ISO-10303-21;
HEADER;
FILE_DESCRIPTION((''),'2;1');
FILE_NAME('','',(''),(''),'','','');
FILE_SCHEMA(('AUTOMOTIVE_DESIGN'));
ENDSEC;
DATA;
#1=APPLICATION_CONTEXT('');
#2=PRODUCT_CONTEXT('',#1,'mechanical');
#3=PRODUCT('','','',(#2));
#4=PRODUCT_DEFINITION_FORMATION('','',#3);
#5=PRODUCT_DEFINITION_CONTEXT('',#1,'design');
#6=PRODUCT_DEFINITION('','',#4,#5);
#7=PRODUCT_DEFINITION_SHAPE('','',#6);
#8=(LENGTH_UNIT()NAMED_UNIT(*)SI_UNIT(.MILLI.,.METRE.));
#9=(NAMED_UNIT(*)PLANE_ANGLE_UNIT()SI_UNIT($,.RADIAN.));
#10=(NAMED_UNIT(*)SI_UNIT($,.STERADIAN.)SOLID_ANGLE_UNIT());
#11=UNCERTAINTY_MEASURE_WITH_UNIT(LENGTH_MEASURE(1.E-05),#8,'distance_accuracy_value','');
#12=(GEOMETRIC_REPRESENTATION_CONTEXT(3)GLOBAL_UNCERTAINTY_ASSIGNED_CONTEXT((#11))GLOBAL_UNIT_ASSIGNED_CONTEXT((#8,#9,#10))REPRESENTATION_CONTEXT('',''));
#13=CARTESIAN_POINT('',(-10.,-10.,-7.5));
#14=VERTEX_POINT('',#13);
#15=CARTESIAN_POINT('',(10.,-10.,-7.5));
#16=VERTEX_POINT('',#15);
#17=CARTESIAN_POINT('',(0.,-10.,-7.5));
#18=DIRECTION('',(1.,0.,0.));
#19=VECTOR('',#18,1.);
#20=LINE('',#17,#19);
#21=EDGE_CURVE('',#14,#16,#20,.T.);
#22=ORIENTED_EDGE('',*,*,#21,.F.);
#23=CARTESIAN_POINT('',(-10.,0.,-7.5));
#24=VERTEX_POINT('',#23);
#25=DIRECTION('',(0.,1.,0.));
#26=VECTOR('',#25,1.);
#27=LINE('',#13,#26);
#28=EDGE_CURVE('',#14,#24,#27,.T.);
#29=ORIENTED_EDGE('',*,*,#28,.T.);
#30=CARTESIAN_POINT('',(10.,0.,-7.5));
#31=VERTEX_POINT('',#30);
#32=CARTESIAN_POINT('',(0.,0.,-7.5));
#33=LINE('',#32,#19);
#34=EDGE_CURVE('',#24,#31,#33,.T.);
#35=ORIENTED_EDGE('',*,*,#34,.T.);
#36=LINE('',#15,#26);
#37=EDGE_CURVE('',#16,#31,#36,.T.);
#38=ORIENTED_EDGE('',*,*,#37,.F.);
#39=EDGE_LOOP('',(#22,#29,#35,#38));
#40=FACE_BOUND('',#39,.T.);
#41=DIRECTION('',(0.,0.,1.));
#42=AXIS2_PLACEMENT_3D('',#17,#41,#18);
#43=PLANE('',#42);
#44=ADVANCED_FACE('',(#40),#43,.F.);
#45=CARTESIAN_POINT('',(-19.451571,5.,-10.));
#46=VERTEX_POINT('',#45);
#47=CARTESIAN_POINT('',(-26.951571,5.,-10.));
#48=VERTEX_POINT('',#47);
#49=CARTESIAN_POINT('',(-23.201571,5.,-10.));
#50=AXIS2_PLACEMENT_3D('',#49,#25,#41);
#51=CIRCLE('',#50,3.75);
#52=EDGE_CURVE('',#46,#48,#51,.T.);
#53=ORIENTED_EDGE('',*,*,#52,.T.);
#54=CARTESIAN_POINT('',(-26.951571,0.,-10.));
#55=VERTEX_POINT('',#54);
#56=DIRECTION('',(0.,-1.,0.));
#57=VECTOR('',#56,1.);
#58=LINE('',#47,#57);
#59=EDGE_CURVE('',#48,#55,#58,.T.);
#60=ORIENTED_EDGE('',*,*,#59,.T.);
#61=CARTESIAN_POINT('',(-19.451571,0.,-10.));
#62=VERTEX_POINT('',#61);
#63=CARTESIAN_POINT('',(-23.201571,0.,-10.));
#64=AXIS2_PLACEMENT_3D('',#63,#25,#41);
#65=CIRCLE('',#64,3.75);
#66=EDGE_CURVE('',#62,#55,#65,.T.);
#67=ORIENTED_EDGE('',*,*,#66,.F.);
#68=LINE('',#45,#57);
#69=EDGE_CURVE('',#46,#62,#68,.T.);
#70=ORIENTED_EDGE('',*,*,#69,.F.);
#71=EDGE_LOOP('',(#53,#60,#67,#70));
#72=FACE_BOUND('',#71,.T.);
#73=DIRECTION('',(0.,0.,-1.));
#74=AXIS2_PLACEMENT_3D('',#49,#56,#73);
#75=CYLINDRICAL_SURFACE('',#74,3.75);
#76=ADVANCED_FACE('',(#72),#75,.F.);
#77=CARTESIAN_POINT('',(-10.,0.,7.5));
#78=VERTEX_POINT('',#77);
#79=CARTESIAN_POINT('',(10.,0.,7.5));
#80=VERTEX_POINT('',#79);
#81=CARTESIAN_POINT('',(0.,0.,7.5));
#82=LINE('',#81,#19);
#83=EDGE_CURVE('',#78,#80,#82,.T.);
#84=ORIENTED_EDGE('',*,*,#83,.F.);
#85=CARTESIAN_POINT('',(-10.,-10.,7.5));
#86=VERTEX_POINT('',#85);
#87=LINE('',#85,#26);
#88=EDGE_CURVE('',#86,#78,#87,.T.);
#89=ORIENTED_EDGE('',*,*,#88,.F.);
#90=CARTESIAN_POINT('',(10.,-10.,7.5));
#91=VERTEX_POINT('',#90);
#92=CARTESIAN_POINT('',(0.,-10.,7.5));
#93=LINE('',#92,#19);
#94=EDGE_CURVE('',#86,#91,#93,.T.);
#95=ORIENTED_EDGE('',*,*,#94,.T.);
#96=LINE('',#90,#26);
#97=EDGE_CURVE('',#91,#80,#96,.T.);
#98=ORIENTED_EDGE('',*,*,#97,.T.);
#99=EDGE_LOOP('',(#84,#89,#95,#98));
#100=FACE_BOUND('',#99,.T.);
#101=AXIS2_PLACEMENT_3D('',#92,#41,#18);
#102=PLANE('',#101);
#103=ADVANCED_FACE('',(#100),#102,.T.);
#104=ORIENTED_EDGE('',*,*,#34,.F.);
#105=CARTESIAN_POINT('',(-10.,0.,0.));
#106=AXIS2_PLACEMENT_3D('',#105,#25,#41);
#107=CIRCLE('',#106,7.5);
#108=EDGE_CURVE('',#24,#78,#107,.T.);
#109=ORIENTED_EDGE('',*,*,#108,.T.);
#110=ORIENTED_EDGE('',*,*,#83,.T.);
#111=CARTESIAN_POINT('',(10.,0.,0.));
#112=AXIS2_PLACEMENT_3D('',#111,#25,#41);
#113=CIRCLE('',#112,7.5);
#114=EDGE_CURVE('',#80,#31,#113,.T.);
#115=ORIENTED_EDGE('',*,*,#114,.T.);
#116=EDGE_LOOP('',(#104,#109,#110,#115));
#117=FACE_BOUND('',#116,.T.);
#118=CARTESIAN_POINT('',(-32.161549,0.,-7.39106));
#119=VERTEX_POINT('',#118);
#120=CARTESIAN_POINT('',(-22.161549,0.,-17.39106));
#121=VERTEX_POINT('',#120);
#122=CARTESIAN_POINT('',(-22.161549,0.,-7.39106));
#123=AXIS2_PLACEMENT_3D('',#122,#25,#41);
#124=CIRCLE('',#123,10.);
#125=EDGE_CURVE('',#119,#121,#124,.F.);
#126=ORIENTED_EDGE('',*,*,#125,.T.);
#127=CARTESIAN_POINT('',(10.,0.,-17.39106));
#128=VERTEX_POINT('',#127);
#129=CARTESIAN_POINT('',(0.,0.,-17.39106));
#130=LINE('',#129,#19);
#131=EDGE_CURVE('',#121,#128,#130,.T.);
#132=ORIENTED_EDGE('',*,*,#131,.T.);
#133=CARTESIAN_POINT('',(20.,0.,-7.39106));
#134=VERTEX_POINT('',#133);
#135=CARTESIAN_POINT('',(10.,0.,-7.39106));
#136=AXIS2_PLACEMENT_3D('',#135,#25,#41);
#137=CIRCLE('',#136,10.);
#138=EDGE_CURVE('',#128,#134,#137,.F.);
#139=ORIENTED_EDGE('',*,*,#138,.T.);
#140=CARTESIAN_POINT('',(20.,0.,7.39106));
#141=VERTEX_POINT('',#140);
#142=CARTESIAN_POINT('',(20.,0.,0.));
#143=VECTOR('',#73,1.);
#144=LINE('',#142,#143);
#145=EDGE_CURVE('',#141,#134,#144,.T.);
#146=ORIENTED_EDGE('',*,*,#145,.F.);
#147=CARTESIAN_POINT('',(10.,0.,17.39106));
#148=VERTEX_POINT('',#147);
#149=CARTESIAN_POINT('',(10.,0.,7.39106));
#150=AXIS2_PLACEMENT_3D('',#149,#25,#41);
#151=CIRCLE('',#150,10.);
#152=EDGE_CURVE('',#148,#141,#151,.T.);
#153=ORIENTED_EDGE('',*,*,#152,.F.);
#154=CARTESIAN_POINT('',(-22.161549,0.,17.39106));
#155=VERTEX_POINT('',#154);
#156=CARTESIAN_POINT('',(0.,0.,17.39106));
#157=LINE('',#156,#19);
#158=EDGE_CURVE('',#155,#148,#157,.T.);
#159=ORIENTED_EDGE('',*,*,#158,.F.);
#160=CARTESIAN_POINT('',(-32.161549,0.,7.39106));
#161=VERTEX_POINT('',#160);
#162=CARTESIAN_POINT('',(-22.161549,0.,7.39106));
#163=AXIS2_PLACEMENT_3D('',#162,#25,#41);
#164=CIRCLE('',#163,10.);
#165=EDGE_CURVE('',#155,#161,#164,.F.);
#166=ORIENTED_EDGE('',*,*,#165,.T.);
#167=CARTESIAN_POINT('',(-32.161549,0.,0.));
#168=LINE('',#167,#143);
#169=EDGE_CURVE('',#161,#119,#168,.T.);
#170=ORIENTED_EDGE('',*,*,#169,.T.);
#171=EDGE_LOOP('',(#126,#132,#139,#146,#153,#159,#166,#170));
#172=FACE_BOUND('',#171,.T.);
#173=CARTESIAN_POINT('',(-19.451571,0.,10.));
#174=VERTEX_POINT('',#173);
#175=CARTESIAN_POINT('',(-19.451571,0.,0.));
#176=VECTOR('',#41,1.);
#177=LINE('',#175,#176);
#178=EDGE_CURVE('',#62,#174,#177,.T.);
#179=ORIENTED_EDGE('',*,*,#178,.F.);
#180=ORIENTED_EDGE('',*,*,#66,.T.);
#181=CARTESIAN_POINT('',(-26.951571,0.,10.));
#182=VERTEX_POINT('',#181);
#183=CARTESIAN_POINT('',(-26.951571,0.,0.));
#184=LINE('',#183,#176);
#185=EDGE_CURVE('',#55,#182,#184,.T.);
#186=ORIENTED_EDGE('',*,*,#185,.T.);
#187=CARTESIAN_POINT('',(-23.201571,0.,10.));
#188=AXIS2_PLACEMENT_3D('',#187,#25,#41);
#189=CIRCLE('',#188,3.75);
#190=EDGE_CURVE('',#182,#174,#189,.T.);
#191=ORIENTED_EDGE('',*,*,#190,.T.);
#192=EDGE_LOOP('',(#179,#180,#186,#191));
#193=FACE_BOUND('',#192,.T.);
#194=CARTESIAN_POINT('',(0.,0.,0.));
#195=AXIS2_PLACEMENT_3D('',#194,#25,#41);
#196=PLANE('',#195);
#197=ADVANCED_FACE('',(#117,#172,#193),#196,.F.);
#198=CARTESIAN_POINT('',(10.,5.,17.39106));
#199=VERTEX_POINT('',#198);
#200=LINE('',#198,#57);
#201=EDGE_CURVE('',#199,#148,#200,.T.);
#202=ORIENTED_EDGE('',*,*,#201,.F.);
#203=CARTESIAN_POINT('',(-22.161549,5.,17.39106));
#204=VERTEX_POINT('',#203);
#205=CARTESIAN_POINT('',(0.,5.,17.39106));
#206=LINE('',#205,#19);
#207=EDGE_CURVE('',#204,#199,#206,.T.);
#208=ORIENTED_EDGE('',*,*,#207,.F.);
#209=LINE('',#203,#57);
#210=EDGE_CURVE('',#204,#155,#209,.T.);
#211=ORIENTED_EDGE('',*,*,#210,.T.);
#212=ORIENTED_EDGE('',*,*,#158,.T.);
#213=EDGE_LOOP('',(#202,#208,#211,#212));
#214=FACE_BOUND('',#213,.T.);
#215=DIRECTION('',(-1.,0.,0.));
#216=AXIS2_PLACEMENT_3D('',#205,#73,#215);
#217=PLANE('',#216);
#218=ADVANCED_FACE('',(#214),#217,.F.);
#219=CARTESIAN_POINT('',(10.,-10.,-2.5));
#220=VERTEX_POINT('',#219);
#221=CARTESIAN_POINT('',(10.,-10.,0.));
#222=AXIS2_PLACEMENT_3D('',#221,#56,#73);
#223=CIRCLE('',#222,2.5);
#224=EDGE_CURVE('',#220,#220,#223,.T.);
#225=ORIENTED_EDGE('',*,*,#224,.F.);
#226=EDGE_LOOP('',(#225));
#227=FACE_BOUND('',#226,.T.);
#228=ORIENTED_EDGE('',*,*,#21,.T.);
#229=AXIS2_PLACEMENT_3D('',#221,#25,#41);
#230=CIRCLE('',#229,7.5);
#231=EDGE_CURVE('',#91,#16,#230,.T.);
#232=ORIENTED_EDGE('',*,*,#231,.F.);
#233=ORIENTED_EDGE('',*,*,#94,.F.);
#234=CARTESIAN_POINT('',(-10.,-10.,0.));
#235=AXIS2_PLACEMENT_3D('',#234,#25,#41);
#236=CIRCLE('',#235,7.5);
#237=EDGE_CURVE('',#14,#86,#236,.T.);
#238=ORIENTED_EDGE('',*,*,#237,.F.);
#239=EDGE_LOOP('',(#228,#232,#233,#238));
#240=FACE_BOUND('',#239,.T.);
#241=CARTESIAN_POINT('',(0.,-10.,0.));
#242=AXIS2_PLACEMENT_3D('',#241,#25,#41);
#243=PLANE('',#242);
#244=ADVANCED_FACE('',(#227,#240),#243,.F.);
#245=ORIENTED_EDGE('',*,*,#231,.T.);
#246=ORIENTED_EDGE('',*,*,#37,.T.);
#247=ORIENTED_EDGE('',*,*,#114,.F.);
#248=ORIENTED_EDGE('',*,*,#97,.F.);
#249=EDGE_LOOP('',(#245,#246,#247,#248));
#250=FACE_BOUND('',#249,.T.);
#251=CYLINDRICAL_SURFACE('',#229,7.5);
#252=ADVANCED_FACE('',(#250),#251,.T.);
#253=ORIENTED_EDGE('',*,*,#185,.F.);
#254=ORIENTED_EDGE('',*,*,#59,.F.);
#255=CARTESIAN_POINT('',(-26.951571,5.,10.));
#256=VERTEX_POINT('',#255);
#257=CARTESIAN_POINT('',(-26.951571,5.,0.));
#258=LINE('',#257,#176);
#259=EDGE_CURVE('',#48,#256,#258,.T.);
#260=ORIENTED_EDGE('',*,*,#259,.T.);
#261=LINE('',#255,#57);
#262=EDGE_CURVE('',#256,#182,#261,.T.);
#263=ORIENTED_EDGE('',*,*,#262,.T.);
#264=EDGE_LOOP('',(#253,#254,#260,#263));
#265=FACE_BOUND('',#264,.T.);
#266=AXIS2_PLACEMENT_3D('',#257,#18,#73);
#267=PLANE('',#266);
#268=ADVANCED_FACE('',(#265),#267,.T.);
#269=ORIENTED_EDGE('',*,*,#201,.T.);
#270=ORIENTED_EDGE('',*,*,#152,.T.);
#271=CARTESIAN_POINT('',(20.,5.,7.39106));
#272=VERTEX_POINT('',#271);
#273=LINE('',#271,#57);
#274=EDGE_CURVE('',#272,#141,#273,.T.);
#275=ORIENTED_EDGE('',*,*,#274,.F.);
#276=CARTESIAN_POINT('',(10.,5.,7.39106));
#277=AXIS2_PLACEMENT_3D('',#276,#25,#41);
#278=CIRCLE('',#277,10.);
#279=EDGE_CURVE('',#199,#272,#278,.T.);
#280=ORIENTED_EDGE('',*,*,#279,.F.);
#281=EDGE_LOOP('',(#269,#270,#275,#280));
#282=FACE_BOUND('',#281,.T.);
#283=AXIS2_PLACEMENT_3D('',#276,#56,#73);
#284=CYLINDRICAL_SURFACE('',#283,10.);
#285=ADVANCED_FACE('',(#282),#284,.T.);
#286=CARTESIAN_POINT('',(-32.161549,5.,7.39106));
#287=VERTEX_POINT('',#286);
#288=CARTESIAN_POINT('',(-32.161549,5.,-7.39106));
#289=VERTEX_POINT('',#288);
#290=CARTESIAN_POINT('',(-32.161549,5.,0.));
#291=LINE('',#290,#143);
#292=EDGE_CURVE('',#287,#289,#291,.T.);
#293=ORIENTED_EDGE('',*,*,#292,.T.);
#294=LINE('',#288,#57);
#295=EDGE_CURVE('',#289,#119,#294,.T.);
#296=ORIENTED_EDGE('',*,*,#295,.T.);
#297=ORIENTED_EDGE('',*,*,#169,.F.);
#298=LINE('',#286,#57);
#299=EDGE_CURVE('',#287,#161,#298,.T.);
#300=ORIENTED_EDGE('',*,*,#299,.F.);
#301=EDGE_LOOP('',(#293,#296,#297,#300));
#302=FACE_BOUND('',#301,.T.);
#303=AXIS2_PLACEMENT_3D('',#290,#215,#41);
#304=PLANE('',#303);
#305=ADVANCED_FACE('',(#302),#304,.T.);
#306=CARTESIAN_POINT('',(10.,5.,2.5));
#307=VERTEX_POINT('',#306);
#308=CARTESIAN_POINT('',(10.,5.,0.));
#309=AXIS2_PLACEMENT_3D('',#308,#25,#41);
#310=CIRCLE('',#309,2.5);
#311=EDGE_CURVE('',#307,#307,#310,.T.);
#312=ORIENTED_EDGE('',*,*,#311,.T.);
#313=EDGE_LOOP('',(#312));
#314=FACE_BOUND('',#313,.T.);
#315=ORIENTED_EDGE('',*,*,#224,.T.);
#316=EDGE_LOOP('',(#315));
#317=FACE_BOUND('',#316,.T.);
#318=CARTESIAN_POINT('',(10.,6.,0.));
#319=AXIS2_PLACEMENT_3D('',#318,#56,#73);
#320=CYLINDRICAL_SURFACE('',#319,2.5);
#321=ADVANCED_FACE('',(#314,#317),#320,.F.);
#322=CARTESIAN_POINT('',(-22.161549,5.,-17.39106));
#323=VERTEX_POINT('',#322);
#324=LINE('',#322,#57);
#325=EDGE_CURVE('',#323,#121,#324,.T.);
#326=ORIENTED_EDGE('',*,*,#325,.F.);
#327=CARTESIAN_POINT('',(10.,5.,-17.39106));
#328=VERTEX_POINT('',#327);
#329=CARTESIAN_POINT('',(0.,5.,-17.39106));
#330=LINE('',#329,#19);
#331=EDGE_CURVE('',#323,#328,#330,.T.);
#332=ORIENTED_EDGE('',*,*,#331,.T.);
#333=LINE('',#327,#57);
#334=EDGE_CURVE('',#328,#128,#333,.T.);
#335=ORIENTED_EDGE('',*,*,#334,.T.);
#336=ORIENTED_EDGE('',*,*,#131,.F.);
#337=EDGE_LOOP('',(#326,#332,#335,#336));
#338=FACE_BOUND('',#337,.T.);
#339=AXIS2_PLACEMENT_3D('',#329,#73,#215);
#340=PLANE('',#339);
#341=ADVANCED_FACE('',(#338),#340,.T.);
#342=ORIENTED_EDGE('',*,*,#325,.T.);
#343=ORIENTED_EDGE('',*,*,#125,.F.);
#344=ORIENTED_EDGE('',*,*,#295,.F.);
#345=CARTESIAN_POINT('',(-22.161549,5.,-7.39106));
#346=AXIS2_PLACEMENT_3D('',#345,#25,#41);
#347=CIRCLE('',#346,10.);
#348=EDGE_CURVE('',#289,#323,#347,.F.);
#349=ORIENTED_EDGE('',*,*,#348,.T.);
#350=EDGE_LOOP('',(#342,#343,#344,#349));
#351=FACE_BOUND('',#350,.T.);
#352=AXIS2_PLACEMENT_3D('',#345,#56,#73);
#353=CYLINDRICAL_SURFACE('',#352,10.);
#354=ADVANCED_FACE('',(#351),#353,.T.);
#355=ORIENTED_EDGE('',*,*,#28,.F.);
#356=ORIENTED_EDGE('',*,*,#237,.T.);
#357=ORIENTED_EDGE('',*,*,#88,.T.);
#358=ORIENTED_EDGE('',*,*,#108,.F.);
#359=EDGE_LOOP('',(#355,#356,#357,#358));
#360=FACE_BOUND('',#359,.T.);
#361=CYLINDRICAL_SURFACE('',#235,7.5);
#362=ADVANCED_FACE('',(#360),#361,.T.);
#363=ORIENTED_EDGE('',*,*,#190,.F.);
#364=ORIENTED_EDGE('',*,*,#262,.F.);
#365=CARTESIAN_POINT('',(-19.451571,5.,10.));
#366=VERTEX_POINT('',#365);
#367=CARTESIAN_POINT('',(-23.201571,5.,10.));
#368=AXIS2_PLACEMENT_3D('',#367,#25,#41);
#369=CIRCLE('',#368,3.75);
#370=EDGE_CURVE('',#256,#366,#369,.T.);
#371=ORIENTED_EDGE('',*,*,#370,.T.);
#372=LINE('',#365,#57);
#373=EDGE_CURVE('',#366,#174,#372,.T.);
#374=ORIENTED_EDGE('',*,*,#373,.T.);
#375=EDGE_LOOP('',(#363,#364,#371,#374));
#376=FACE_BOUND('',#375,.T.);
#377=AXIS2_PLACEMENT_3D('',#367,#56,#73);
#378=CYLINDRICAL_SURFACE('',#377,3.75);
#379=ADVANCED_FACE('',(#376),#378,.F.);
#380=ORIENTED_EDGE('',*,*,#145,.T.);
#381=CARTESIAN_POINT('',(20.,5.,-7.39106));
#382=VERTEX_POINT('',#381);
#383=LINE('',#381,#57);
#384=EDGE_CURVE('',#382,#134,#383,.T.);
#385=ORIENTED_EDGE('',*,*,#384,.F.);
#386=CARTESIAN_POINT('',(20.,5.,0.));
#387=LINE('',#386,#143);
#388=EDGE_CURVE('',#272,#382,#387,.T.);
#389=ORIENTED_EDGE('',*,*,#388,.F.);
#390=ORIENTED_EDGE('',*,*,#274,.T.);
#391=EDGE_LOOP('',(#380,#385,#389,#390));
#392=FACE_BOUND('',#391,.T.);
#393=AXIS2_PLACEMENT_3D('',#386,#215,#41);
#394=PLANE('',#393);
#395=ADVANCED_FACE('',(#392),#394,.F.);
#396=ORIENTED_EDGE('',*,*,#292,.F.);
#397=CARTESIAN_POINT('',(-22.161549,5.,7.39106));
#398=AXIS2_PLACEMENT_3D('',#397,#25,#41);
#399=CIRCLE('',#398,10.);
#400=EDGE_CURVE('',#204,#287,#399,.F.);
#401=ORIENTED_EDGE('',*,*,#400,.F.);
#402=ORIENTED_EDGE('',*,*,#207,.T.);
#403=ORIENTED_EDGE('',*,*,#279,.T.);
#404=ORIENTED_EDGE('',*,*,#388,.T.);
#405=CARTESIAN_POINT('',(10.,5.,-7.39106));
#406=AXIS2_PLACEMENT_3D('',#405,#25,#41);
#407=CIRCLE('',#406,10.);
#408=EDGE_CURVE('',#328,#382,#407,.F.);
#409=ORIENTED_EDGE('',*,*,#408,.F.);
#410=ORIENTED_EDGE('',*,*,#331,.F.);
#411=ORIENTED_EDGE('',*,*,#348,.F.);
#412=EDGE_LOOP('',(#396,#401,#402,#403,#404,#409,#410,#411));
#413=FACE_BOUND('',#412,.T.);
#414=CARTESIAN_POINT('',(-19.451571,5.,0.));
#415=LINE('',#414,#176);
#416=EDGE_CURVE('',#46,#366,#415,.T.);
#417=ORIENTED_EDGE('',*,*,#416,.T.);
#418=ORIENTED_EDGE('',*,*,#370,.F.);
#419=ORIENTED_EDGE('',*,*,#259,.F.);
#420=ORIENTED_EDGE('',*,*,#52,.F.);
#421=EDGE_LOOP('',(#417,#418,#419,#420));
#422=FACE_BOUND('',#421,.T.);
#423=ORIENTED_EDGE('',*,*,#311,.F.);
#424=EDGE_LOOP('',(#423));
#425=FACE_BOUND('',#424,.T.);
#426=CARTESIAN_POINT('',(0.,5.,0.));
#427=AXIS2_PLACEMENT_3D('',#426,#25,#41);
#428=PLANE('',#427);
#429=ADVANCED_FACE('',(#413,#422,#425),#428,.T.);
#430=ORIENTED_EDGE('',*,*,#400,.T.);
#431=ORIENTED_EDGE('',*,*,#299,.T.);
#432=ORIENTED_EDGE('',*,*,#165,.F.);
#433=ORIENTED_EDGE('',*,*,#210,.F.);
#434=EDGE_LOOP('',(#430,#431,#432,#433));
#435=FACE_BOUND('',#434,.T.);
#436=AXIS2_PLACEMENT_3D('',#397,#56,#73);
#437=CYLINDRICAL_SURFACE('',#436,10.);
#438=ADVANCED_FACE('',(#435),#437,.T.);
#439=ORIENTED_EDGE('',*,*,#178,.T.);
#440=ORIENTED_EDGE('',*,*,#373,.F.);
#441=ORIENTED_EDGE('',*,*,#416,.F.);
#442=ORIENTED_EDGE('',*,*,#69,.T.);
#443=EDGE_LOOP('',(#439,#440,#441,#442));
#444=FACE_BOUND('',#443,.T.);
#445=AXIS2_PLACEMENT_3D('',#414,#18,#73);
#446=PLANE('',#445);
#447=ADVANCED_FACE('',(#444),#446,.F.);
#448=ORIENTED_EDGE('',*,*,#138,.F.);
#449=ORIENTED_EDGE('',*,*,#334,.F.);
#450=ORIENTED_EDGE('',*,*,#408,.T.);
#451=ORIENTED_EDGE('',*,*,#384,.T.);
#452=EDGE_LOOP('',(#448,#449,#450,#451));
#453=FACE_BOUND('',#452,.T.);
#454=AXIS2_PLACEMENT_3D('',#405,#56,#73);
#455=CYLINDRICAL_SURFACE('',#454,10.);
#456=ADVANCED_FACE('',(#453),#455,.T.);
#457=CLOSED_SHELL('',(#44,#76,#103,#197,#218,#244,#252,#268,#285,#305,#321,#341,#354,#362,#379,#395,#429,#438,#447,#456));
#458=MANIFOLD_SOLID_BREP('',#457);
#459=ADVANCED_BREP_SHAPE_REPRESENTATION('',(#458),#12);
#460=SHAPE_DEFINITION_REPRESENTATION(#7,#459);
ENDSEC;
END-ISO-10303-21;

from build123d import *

# Parameters (mm, degrees)
BOSS_EXTRUDE1_DEPTH = 5
BOSS_EXTRUDE2_DEPTH = 10
SKETCH3_R           = 2.5
CUT_EXTRUDE1_DEPTH  = 16


with BuildPart() as part:
    # Sketch1 → Boss-Extrude1 (new body)
    with BuildSketch(Plane(origin=(0, 0, 0), x_dir=(1, 0, 0), z_dir=(0, 1, 0))):
        with BuildLine():
            ThreePointArc((-32.161548626, -7.391059627), (-29.232616438, -14.462127439), (-22.161548626, -17.391059627))
            Line((-22.161548626, -17.391059627), (10, -17.391059627))
            ThreePointArc((10, -17.391059627), (17.071067812, -14.462127439), (20, -7.391059627))
            Line((20, -7.391059627), (20, 7.391059627))
            ThreePointArc((20, 7.391059627), (17.071067812, 14.462127439), (10, 17.391059627))
            Line((10, 17.391059627), (-22.161548626, 17.391059627))
            ThreePointArc((-22.161548626, 17.391059627), (-29.232616438, 14.462127439), (-32.161548626, 7.391059627))
            Line((-32.161548626, 7.391059627), (-32.161548626, -7.391059627))
        make_face()
        with BuildLine():
            ThreePointArc((-26.951571496, 10), (-23.201571496, 13.75), (-19.451571496, 10))
            Line((-19.451571496, 10), (-19.451571496, -10))
            ThreePointArc((-19.451571496, -10), (-23.201571496, -13.75), (-26.951571496, -10))
            Line((-26.951571496, -10), (-26.951571496, 10))
        make_face(mode=Mode.SUBTRACT)
    extrude(amount=BOSS_EXTRUDE1_DEPTH)

    # Sketch1<3> → Boss-Extrude2 (add)
    with BuildSketch(Plane(origin=(0, 0, 0), x_dir=(1, 0, 0), z_dir=(0, 1, 0))):
        with BuildLine():
            Line((10, 7.5), (-10, 7.5))
            ThreePointArc((-10, 7.5), (-17.5, 0), (-10, -7.5))
            Line((-10, -7.5), (10, -7.5))
            ThreePointArc((10, -7.5), (17.5, 0), (10, 7.5))
        make_face()
    extrude(amount=-BOSS_EXTRUDE2_DEPTH)

    # Sketch3 → Cut-Extrude1 (cut)
    with BuildSketch(Plane.XZ.offset(10)):
        with Locations((10, 0)):
            Circle(SKETCH3_R)
    extrude(amount=-CUT_EXTRUDE1_DEPTH, mode=Mode.SUBTRACT)


solid = part.part
